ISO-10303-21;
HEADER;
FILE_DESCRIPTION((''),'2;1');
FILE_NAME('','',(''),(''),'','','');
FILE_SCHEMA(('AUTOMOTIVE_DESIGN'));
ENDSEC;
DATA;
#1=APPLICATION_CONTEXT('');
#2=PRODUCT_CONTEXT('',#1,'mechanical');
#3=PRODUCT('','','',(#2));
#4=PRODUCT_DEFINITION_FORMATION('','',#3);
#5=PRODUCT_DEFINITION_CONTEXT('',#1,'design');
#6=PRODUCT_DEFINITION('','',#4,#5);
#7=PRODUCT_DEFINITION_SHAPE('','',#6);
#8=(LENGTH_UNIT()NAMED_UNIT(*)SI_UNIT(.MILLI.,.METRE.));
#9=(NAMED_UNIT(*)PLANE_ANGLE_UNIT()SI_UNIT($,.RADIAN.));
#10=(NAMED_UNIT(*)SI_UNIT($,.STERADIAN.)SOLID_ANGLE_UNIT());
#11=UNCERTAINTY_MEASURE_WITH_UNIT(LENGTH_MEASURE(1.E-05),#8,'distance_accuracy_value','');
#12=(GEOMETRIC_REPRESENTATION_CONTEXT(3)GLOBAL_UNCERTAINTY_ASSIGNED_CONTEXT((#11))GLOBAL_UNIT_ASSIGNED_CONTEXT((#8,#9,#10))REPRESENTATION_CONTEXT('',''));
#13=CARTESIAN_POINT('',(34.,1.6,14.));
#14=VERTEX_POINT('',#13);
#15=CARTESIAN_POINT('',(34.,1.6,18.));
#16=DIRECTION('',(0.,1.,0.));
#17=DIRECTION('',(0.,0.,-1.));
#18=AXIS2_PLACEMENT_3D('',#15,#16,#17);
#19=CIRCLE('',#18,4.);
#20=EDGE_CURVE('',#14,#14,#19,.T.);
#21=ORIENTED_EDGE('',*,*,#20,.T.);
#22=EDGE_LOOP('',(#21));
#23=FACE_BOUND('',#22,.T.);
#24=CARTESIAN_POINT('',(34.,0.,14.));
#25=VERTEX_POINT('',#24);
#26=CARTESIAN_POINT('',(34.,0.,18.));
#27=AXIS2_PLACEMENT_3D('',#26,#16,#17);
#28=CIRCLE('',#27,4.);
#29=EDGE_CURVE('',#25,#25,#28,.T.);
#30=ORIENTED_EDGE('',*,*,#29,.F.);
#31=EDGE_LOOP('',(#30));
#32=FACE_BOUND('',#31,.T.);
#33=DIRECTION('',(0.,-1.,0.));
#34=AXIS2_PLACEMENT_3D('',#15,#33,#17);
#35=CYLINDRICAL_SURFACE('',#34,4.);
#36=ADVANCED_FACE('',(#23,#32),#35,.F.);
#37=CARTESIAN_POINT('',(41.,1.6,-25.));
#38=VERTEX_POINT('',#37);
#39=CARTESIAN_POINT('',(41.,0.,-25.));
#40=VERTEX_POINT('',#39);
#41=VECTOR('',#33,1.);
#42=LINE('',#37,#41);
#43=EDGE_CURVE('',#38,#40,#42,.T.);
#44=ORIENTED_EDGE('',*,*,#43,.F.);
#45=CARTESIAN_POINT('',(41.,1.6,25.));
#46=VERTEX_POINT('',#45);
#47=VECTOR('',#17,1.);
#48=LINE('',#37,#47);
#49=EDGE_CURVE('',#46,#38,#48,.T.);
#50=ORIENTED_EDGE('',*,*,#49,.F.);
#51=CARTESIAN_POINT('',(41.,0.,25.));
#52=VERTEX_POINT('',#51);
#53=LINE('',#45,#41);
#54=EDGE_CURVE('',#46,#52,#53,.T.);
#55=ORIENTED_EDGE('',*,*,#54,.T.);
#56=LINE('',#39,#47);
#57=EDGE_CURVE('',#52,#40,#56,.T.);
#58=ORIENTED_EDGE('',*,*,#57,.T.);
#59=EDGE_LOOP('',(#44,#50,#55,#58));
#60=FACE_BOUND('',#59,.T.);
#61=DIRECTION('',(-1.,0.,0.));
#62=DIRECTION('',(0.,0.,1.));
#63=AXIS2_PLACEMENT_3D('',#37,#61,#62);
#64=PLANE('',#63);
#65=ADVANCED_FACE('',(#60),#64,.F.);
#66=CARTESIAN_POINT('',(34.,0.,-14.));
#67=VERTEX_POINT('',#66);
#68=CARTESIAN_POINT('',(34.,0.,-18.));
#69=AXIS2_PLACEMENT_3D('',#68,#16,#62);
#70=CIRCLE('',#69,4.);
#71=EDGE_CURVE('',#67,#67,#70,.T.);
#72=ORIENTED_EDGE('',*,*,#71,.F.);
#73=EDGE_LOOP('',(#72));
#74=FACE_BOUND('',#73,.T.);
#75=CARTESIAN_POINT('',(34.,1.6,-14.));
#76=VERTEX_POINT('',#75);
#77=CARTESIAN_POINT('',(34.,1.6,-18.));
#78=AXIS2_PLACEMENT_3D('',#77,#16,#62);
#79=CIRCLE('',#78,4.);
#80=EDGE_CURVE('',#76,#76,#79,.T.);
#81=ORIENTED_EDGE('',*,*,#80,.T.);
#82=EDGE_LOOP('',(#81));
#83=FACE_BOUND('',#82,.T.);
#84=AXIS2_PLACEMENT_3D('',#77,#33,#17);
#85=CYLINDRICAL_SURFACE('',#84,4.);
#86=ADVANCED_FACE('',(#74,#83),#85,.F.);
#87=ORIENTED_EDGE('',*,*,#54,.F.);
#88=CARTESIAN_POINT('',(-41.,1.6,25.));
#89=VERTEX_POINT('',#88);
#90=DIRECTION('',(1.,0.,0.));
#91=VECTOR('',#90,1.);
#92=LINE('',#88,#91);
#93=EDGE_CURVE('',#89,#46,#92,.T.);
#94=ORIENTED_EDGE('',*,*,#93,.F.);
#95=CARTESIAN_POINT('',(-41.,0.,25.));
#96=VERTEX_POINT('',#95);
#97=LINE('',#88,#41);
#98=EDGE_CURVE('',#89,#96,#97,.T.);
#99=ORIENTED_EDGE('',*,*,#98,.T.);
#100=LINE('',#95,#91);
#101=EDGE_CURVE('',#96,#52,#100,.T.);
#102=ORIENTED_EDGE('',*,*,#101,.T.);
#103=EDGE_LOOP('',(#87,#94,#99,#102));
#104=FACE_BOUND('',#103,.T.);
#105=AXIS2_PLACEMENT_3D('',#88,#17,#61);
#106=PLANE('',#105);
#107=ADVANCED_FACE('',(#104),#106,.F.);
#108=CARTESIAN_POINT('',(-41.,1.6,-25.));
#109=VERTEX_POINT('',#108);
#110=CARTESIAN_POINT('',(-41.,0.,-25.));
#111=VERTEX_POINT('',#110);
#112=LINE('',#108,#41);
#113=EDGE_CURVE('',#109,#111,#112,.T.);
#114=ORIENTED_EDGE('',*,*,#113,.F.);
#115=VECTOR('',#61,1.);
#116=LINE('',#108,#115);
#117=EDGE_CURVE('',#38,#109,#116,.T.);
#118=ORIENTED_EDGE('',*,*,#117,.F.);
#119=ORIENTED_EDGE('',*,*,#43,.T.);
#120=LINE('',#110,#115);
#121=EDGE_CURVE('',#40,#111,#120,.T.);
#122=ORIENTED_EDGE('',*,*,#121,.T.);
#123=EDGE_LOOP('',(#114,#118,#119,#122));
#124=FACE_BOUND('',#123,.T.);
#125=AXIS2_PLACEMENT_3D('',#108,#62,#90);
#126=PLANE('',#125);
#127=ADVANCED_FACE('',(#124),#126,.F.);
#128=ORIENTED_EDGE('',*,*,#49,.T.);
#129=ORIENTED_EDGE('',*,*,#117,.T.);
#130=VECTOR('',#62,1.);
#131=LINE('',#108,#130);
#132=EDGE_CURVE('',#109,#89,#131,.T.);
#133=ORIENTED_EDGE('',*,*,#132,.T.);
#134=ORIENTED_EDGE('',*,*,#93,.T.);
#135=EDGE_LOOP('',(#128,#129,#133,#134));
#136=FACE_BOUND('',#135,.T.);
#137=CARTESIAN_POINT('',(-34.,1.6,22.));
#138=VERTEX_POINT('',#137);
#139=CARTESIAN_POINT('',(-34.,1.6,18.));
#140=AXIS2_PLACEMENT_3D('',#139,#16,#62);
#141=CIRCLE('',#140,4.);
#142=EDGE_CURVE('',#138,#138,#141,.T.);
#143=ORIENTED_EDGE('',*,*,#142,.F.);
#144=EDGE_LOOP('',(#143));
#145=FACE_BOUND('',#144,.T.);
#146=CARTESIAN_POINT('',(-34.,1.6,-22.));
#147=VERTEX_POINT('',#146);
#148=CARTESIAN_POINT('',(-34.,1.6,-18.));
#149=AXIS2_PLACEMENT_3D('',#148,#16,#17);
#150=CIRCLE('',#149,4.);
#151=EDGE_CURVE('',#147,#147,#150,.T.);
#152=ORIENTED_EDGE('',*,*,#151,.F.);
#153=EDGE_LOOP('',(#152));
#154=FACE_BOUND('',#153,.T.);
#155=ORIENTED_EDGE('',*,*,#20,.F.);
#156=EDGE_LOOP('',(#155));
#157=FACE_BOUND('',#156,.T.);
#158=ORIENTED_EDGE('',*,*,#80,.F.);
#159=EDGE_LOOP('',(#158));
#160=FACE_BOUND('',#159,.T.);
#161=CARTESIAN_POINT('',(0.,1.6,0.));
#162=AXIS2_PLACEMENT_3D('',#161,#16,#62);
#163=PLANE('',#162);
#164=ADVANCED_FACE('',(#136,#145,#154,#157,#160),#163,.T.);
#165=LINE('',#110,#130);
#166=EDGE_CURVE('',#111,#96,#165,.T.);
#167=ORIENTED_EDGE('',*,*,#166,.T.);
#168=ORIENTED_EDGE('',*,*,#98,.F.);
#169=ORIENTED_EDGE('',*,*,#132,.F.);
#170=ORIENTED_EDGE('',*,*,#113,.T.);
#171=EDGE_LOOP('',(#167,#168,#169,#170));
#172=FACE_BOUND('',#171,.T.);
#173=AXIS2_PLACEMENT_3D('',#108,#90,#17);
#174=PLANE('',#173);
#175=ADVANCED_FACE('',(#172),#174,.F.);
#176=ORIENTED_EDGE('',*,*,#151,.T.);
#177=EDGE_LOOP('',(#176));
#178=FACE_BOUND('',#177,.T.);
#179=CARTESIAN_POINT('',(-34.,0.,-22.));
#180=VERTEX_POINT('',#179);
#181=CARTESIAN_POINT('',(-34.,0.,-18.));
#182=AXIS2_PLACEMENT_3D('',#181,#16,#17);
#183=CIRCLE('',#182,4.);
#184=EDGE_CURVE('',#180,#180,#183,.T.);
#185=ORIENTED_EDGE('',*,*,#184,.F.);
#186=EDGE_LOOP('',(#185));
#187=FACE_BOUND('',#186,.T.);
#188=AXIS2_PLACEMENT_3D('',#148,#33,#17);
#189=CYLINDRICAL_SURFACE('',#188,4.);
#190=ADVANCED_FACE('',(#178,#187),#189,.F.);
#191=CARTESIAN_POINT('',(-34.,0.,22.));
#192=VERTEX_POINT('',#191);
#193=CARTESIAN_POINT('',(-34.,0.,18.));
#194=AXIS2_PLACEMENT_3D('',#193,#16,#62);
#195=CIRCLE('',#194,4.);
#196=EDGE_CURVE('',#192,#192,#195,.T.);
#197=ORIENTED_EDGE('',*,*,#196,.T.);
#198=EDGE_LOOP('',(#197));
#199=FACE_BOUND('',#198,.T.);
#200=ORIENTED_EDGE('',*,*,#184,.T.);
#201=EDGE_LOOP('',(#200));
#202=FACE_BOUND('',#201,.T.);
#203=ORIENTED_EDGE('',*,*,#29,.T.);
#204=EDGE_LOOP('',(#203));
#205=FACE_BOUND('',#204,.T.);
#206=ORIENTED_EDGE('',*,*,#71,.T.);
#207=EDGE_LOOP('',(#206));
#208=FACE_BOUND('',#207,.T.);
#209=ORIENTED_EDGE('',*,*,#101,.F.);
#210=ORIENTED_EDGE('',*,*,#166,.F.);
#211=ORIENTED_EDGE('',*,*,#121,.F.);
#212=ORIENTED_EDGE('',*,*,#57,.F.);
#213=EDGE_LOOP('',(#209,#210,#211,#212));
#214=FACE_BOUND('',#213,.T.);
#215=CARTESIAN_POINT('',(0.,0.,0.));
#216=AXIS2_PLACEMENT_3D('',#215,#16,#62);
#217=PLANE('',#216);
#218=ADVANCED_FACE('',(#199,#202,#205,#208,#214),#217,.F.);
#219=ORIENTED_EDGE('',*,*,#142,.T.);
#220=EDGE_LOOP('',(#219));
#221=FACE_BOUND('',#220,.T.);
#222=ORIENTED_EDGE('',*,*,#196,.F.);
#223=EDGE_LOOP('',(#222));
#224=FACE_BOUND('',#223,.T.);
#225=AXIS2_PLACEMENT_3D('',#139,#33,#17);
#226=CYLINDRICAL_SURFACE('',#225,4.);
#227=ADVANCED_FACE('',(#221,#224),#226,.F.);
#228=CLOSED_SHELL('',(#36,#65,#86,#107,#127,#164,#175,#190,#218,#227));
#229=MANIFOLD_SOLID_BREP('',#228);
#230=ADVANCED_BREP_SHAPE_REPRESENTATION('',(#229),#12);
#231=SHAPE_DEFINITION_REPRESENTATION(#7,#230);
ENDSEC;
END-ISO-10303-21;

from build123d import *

# Parameters (mm, degrees)
SKETCH_1_W      = 82
SKETCH_1_H      = 50
SKETCH_1_R      = 4
EXTRUDE_1_DEPTH = 1.6


with BuildPart() as part:
    # 草图1 → 凸台-拉伸1 (new body)
    with BuildSketch(Plane(origin=(0, 0, 0), x_dir=(1, 0, 0), z_dir=(0, 1, 0))):
        Rectangle(SKETCH_1_W, SKETCH_1_H)
        with Locations(Location((-34, -18, 0), (0, 0, 270))):
            Circle(SKETCH_1_R, mode=Mode.SUBTRACT)
        with Locations(Location((34, -18, 0), (0, 0, 90))):
            Circle(SKETCH_1_R, mode=Mode.SUBTRACT)
        with Locations(Location((34, 18, 0), (0, 0, 270))):
            Circle(SKETCH_1_R, mode=Mode.SUBTRACT)
        with Locations(Location((-34, 18, 0), (0, 0, 90))):
            Circle(SKETCH_1_R, mode=Mode.SUBTRACT)
    extrude(amount=EXTRUDE_1_DEPTH)


solid = part.part
